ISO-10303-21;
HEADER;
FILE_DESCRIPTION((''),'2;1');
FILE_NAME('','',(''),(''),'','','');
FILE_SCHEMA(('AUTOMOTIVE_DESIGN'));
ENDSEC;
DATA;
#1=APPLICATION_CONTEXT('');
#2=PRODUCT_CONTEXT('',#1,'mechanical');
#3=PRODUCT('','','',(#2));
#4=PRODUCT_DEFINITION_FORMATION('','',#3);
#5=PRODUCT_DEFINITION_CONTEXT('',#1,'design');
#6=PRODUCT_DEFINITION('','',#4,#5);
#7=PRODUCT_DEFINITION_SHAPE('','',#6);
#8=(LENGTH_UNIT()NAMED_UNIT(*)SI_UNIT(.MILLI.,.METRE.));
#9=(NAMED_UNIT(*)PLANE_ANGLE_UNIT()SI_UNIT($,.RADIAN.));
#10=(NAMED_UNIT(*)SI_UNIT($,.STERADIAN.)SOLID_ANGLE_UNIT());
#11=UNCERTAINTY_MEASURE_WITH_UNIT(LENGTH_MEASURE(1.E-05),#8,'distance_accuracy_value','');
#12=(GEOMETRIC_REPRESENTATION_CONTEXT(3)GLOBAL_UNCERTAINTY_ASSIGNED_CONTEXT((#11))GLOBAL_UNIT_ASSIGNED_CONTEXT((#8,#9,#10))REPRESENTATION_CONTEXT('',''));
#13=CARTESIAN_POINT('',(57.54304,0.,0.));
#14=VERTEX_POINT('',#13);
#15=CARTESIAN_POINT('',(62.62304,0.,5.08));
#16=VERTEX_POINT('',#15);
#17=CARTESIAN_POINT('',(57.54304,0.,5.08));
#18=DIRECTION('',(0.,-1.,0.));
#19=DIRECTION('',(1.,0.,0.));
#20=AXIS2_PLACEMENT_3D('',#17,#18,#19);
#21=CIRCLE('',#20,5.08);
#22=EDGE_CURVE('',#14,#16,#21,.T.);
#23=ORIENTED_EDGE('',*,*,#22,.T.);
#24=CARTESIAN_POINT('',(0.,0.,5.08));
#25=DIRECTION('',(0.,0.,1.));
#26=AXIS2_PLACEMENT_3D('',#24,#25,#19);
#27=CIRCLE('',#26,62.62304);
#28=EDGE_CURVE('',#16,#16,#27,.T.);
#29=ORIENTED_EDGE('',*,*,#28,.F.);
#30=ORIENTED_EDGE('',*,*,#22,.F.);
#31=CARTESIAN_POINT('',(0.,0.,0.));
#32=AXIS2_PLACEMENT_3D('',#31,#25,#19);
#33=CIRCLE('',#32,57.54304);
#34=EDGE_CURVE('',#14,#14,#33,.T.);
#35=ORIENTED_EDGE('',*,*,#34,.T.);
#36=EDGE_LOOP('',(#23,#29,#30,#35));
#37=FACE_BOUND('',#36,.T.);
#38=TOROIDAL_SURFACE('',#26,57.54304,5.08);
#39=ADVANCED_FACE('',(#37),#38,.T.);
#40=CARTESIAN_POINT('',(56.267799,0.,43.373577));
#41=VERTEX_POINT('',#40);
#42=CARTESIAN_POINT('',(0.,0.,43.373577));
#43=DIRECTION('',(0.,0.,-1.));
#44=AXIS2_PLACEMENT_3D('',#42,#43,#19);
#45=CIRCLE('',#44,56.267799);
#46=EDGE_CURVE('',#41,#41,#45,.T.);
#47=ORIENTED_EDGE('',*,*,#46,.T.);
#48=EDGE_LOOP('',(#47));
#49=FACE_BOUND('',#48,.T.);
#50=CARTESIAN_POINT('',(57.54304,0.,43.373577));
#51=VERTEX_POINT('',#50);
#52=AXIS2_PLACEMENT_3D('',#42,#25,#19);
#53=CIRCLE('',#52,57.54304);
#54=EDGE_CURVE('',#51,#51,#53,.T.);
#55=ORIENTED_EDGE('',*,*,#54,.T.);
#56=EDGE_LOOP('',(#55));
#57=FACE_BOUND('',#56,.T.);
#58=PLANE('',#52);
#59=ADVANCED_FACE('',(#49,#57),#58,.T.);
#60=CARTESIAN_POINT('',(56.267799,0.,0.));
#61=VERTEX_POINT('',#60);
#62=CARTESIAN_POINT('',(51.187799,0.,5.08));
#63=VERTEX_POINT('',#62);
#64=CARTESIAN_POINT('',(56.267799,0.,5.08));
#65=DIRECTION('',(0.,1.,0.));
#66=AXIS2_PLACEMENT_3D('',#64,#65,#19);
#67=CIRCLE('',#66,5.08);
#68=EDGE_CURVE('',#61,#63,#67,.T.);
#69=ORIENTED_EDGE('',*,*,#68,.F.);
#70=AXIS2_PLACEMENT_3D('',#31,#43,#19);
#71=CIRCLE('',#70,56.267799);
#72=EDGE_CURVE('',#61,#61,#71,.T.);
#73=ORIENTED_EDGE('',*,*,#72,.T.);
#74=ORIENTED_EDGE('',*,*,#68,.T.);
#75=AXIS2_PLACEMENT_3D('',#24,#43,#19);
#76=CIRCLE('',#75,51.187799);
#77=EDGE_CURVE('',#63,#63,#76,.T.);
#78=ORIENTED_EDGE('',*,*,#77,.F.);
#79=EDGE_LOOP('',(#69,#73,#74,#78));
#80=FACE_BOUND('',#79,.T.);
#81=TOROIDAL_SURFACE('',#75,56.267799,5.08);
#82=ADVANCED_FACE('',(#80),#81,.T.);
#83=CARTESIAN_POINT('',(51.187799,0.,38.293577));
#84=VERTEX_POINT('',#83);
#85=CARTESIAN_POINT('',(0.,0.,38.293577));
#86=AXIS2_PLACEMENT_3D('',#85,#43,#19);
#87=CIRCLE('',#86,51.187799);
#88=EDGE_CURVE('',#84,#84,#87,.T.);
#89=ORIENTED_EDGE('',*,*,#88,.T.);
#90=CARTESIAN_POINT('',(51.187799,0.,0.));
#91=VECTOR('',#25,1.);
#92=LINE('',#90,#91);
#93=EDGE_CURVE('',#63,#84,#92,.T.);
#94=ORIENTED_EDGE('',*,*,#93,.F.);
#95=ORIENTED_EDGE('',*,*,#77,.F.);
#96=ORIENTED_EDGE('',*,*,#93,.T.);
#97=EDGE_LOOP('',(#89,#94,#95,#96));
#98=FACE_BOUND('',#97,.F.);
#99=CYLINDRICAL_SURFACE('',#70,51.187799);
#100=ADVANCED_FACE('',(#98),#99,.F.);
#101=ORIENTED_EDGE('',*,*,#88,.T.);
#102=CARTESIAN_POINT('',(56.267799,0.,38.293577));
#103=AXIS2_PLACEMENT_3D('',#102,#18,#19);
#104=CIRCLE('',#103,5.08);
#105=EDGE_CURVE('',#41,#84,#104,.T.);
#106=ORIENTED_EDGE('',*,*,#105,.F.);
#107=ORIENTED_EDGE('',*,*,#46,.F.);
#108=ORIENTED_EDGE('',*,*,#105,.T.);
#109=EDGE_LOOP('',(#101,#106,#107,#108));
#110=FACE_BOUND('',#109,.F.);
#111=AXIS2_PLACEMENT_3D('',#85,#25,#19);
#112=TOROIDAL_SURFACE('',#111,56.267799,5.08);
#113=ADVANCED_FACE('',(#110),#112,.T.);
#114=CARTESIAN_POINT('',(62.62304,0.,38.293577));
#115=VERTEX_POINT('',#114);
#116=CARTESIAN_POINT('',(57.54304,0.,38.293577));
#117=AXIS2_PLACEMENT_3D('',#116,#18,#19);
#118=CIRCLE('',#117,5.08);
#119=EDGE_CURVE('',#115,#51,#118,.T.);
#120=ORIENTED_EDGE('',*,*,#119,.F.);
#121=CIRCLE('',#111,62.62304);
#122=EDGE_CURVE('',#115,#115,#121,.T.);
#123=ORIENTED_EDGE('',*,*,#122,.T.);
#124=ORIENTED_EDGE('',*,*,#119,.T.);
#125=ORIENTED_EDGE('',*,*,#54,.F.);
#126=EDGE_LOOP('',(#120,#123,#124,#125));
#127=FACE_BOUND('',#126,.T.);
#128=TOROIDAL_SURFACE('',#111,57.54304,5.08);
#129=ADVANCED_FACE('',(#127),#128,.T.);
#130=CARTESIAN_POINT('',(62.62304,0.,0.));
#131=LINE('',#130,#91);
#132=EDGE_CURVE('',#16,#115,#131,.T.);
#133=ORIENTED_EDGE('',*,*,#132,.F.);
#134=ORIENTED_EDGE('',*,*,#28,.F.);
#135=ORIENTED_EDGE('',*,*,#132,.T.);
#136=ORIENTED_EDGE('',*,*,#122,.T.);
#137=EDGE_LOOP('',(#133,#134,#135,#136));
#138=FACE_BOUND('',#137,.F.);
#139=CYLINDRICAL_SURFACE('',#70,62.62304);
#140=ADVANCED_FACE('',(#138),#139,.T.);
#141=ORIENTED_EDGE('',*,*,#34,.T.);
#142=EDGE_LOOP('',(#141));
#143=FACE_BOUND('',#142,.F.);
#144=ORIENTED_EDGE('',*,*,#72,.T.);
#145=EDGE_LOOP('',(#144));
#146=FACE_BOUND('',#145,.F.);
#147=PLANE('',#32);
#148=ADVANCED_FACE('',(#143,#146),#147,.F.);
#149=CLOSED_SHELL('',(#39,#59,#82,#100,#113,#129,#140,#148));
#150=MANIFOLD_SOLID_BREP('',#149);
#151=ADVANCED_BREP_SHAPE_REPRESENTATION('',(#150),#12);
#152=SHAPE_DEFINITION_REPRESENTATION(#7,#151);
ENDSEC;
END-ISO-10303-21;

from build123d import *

# Parameters (mm, degrees)
F0_R     = 62.62304
F1_DEPTH = 43.373577
F2_R     = 53.368625
F3_DEPTH = 5.646907
F4_R     = 51.187799
F5_DEPTH = 64.743372
F6_R     = 5.08
F7_R     = 5.08
F8_R     = 5.08


with BuildPart() as f1:
    # F0 (on Top) → F1 (new body)
    with BuildSketch(Plane.XY):
        Circle(F0_R)
    extrude(amount=F1_DEPTH)

    # F2 (on face) → F3 (join)
    with BuildSketch(Plane(origin=(0, 0, 0), x_dir=(1, 0, 0), z_dir=(0, 0, -1))):
        Circle(F2_R)
    extrude(amount=-F3_DEPTH)

    # F4 (on face) → F5 (cut)
    with BuildSketch(Plane(origin=(0, 0, 0), x_dir=(1, 0, 0), z_dir=(0, 0, -1))):
        Circle(F4_R)
    extrude(amount=-F5_DEPTH, mode=Mode.SUBTRACT)

    # F6
    f6_edges = [f1.edges().sort_by_distance(p)[0] for p in [
        (-62.62304, 0, 43.373577),
    ]]
    fillet(f6_edges, radius=F6_R)

    # F7
    f7_edges = [f1.edges().sort_by_distance(p)[0] for p in [
        (-51.187799, 0, 0),
        (-51.187799, 0, 43.373577),
    ]]
    fillet(f7_edges, radius=F7_R)

    # F8
    f8_edges = [f1.edges().sort_by_distance(p)[0] for p in [
        (-62.62304, 0, 0),
    ]]
    fillet(f8_edges, radius=F8_R)


solid = f1.part
